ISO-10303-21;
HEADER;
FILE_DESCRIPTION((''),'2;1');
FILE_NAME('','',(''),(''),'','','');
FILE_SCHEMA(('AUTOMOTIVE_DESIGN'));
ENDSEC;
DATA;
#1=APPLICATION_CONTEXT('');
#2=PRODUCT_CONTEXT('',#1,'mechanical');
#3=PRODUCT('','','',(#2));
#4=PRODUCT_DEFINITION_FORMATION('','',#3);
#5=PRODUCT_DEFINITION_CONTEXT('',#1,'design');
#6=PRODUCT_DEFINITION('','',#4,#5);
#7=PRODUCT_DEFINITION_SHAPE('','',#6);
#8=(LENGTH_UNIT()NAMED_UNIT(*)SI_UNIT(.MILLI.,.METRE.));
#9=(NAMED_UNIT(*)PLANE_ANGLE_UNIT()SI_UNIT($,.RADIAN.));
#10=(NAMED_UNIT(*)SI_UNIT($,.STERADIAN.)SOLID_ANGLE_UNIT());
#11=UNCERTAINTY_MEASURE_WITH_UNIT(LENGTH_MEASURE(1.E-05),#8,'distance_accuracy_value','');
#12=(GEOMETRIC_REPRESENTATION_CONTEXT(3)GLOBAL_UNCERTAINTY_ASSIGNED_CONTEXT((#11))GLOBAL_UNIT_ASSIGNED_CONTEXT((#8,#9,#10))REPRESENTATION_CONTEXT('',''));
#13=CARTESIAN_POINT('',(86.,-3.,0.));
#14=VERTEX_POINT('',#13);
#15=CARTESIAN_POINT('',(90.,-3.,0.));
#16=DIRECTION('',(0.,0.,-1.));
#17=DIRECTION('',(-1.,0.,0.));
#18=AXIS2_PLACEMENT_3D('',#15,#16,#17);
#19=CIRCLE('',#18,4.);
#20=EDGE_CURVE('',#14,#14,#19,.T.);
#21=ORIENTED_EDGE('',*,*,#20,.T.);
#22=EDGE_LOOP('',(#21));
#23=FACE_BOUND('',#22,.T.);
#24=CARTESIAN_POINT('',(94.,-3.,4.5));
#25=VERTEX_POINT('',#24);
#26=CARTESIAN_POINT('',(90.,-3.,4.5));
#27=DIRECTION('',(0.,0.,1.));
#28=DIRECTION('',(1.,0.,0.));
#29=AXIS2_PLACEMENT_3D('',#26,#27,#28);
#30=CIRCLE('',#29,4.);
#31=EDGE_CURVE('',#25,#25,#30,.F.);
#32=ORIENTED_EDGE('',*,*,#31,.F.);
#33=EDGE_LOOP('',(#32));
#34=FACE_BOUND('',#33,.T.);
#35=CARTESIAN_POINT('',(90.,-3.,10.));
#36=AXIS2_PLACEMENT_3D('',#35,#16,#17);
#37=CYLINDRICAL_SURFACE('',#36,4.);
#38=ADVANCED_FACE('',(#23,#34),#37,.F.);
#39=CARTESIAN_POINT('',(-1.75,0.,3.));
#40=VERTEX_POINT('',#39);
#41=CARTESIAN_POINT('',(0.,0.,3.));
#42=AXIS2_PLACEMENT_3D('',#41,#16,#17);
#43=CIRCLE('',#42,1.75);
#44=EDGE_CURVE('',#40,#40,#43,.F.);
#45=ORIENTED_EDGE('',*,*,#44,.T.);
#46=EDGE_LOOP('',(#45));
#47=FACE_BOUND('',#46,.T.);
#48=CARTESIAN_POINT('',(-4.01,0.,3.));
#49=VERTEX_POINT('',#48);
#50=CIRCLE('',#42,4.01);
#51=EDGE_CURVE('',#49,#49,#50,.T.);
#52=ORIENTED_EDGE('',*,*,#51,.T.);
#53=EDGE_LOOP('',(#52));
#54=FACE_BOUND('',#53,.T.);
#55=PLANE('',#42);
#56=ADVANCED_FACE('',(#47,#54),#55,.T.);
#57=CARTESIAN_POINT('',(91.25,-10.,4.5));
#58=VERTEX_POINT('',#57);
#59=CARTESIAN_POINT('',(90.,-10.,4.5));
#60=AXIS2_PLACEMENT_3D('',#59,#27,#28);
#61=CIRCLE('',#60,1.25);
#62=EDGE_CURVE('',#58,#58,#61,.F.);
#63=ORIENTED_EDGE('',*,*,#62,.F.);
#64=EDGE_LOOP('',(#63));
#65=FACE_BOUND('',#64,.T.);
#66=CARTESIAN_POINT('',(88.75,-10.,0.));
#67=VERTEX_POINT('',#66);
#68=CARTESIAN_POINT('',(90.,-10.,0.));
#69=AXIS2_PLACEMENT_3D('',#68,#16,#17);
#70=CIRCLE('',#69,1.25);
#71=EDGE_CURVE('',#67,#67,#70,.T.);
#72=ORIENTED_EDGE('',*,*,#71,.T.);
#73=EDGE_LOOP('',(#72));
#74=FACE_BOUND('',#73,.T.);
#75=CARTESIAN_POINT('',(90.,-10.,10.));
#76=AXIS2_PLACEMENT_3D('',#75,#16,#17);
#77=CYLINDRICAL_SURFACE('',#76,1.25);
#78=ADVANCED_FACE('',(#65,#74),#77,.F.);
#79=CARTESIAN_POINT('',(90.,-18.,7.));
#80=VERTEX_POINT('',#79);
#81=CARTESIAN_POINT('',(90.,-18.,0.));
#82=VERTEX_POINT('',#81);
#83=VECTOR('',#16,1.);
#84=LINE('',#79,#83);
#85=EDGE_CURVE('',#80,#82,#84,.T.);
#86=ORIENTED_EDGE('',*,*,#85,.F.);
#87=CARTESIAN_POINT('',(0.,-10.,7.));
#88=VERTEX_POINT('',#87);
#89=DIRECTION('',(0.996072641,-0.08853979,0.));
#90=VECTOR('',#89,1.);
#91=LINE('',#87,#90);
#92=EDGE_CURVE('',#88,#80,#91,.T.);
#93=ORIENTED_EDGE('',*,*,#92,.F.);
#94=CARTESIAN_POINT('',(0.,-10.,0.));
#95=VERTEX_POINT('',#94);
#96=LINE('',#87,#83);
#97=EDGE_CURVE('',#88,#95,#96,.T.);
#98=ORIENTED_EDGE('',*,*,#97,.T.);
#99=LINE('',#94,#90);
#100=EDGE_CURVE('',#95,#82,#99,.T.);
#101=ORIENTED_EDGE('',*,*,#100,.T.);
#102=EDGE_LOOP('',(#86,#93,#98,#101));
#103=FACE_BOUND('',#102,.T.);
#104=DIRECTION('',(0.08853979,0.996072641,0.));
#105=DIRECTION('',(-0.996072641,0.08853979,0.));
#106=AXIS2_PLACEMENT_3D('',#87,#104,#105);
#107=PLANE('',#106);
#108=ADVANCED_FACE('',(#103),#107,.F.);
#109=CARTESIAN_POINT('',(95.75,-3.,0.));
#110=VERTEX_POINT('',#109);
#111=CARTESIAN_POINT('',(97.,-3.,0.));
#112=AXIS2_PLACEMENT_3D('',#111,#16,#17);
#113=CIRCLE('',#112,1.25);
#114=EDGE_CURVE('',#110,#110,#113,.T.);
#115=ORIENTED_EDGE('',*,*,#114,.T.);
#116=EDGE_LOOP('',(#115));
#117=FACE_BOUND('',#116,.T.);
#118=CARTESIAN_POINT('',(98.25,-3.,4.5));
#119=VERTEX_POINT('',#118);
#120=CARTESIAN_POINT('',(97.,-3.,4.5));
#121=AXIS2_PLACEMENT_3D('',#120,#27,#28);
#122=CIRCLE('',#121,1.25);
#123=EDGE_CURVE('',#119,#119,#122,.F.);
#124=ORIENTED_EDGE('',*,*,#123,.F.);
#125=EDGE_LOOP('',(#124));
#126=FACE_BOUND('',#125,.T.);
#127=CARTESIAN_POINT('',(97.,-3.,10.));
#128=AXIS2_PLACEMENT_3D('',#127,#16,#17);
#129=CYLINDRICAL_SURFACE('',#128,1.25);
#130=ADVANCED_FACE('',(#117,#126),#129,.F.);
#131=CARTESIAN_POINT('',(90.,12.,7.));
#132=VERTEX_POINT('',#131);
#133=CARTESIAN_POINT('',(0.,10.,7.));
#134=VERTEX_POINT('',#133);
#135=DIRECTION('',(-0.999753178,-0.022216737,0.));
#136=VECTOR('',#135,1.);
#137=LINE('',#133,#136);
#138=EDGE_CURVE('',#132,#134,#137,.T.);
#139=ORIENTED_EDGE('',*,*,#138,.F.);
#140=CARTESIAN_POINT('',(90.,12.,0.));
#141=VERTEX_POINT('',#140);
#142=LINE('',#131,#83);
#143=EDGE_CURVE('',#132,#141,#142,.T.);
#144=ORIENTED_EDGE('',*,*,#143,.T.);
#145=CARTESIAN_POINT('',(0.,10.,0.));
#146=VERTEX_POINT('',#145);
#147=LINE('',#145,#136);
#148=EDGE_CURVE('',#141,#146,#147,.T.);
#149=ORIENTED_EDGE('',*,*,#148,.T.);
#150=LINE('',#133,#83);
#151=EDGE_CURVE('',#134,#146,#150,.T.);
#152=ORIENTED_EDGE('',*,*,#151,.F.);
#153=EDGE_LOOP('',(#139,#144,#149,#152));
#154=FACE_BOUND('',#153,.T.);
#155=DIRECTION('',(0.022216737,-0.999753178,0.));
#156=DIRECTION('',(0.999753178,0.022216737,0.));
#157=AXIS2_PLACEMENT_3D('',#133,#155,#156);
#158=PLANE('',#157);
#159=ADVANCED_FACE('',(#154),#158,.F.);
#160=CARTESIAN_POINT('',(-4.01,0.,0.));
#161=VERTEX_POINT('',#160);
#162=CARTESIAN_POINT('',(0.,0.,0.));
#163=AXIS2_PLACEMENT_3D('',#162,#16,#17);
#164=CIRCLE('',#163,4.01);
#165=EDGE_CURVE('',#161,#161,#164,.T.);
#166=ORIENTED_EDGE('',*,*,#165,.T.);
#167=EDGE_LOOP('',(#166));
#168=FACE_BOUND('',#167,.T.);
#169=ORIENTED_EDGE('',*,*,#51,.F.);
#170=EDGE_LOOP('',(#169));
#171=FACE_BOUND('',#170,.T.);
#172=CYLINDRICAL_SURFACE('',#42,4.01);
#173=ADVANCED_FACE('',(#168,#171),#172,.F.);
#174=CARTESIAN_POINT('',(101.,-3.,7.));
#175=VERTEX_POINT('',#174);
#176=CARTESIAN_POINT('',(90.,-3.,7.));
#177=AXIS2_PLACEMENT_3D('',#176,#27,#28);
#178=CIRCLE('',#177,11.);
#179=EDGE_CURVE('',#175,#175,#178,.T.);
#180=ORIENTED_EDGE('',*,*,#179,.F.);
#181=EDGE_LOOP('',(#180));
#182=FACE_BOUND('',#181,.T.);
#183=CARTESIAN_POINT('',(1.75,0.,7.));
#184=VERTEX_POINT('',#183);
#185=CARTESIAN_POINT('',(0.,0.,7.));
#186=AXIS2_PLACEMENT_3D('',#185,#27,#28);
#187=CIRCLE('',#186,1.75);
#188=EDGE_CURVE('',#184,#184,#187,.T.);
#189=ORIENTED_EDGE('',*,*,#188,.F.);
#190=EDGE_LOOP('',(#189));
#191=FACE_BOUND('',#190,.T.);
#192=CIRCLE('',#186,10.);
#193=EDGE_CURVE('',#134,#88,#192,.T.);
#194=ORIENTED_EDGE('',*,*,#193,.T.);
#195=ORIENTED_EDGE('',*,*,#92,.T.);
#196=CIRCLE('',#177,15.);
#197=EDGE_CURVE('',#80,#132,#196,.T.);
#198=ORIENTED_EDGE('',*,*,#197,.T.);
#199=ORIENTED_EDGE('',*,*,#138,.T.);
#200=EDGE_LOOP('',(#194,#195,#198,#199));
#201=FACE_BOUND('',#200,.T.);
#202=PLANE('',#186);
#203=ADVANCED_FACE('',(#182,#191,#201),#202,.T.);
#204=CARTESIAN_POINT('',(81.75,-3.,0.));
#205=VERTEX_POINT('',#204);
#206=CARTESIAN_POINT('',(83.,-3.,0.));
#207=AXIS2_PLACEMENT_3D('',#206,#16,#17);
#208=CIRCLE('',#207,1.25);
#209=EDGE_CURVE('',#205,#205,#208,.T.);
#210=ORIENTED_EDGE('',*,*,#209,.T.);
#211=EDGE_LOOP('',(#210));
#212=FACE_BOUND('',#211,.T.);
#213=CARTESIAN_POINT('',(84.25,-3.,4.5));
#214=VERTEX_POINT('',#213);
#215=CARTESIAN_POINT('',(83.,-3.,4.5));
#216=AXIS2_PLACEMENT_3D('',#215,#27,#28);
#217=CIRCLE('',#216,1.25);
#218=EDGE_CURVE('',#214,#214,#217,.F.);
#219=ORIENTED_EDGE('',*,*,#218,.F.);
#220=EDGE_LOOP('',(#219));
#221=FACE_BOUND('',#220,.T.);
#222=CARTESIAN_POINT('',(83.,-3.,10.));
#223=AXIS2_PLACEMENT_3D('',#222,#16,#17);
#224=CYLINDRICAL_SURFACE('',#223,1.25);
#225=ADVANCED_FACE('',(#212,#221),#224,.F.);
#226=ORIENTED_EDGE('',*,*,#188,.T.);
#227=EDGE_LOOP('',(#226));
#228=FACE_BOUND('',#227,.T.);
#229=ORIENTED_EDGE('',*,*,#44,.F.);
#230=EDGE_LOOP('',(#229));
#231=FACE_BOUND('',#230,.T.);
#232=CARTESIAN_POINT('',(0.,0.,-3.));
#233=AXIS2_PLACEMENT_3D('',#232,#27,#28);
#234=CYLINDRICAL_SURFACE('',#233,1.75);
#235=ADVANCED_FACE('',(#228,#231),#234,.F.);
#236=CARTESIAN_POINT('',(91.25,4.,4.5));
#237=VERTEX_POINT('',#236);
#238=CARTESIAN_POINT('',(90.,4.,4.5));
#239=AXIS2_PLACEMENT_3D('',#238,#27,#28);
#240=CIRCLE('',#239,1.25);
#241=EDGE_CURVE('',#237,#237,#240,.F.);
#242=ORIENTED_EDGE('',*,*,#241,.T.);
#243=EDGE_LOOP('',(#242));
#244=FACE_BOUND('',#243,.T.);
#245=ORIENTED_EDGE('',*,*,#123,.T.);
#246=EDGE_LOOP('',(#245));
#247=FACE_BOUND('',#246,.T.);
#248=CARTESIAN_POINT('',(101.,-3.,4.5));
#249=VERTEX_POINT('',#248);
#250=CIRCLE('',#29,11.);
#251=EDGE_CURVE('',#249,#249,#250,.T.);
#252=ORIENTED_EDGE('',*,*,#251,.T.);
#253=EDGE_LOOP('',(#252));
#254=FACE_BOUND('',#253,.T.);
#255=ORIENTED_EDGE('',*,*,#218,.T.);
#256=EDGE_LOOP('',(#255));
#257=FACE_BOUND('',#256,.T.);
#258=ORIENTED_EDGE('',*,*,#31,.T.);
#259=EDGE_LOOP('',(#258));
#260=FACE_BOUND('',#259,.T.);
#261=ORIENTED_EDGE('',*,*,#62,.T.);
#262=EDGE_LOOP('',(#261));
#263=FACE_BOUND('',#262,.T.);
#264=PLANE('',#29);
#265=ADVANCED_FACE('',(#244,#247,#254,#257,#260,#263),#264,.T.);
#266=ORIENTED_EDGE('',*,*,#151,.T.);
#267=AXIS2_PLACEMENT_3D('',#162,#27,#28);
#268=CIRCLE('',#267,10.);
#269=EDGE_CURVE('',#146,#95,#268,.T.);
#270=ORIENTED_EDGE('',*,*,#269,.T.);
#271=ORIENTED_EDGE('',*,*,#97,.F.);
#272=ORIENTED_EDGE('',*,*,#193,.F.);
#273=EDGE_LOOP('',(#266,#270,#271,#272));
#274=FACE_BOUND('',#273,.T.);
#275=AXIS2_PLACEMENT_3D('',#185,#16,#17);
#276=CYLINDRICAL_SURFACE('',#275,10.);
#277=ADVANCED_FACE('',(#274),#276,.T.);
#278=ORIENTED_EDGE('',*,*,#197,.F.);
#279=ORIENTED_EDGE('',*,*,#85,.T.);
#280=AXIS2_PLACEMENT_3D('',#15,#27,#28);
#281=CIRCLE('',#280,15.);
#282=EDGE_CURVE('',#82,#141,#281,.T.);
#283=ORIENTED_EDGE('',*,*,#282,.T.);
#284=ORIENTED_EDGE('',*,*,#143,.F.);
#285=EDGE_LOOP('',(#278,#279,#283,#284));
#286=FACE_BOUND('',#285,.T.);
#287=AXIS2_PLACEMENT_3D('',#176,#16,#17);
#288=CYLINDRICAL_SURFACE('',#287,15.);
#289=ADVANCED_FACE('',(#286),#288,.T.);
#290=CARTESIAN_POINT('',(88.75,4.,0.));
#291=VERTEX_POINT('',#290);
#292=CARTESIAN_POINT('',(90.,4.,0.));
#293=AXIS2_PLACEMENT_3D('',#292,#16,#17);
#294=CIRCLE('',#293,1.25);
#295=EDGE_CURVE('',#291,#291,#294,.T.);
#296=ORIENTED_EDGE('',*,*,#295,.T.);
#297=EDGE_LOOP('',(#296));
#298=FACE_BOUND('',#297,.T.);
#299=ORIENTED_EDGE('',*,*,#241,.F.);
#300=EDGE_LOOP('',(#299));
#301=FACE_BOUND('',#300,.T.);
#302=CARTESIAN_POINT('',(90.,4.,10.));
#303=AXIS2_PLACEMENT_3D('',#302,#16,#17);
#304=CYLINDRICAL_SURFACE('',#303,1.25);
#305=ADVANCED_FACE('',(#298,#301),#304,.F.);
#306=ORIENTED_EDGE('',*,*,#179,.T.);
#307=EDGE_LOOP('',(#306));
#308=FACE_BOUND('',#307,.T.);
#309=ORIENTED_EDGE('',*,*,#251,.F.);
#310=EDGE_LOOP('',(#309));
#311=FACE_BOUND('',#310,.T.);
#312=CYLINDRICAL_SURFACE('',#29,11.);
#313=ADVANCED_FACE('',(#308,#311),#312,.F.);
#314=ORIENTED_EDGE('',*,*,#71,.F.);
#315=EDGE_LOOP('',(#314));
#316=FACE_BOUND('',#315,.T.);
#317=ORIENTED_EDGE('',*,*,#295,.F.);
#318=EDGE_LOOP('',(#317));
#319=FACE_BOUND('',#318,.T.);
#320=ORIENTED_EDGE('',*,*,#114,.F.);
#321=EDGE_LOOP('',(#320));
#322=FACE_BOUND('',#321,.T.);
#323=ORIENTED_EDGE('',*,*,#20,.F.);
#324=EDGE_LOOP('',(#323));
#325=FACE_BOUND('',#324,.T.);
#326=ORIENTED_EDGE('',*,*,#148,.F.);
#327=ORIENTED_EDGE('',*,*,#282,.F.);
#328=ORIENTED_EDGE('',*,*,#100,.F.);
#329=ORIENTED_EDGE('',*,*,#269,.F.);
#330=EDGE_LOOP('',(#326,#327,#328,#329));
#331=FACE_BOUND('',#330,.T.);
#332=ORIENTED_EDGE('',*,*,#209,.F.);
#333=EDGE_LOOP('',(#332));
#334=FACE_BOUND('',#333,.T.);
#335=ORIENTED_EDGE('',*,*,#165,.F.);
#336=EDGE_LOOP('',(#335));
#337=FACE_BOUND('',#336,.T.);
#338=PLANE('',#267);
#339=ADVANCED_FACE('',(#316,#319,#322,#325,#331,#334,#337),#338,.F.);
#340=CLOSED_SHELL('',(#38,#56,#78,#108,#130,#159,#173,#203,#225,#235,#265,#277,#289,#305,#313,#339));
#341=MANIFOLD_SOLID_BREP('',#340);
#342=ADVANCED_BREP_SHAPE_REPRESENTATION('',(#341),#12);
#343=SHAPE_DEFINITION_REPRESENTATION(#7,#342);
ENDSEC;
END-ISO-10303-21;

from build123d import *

# Parameters (mm, degrees)
EXTRUDE_1_DEPTH     = 7
SKETCH_2_R          = 4.1
SKETCH_2_R_2        = 1.25
SKETCH_2_R_3        = 4
CUT_EXTRUDE_1_DEPTH = 10
SKETCH_3_R          = 11
CUT_EXTRUDE_2_DEPTH = 2.5
SKETCH_7_R          = 4.1
EXTRUDE_4_DEPTH     = 7
SKETCH_13_R         = 1.75
CUT_EXTRUDE_3_DEPTH = 10
SKETCH_15_R         = 4.01
CUT_EXTRUDE_5_DEPTH = 3


with BuildPart() as part:
    # 草图1 → 凸台-拉伸1 (new body)
    with BuildSketch(Plane.XY):
        with BuildLine():
            Line((0, -10), (90, -18))
            ThreePointArc((90, -18), (105, -3), (90, 12))
            Line((90, 12), (0, 10))
            ThreePointArc((0, 10), (-10, 0), (0, -10))
        make_face()
    extrude(amount=EXTRUDE_1_DEPTH)

    # 草图2 → 切除-拉伸1 (cut)
    with BuildSketch(Plane(origin=(0, 0, 0), x_dir=(-1, 0, 0), z_dir=(0, 0, -1))):
        Circle(SKETCH_2_R)
        with Locations((-90, -10)):
            Circle(SKETCH_2_R_2)
        with Locations((-83, -3)):
            Circle(SKETCH_2_R_2)
        with Locations((-90, 4)):
            Circle(SKETCH_2_R_2)
        with Locations((-97, -3)):
            Circle(SKETCH_2_R_2)
        with Locations((-90, -3)):
            Circle(SKETCH_2_R_3)
    extrude(amount=-CUT_EXTRUDE_1_DEPTH, mode=Mode.SUBTRACT)

    # 草图3 → 切除-拉伸2 (cut)
    with BuildSketch(Plane.XY.offset(7)):
        with Locations((90, -3)):
            Circle(SKETCH_3_R)
    extrude(amount=-CUT_EXTRUDE_2_DEPTH, mode=Mode.SUBTRACT)

    # 草图7 → 凸台-拉伸4 (add)
    with BuildSketch(Plane(origin=(0, 0, 0), x_dir=(-1, 0, 0), z_dir=(0, 0, -1))):
        Circle(SKETCH_7_R)
    extrude(amount=-EXTRUDE_4_DEPTH)

    # 草图13 → 切除-拉伸3 (cut)
    with BuildSketch(Plane.XY.offset(7)):
        Circle(SKETCH_13_R)
    extrude(amount=-CUT_EXTRUDE_3_DEPTH, mode=Mode.SUBTRACT)

    # 草图15 → 切除-拉伸5 (cut)
    with BuildSketch(Plane(origin=(0, 0, 0), x_dir=(-1, 0, 0), z_dir=(0, 0, -1))):
        Circle(SKETCH_15_R)
    extrude(amount=-CUT_EXTRUDE_5_DEPTH, mode=Mode.SUBTRACT)


solid = part.part
